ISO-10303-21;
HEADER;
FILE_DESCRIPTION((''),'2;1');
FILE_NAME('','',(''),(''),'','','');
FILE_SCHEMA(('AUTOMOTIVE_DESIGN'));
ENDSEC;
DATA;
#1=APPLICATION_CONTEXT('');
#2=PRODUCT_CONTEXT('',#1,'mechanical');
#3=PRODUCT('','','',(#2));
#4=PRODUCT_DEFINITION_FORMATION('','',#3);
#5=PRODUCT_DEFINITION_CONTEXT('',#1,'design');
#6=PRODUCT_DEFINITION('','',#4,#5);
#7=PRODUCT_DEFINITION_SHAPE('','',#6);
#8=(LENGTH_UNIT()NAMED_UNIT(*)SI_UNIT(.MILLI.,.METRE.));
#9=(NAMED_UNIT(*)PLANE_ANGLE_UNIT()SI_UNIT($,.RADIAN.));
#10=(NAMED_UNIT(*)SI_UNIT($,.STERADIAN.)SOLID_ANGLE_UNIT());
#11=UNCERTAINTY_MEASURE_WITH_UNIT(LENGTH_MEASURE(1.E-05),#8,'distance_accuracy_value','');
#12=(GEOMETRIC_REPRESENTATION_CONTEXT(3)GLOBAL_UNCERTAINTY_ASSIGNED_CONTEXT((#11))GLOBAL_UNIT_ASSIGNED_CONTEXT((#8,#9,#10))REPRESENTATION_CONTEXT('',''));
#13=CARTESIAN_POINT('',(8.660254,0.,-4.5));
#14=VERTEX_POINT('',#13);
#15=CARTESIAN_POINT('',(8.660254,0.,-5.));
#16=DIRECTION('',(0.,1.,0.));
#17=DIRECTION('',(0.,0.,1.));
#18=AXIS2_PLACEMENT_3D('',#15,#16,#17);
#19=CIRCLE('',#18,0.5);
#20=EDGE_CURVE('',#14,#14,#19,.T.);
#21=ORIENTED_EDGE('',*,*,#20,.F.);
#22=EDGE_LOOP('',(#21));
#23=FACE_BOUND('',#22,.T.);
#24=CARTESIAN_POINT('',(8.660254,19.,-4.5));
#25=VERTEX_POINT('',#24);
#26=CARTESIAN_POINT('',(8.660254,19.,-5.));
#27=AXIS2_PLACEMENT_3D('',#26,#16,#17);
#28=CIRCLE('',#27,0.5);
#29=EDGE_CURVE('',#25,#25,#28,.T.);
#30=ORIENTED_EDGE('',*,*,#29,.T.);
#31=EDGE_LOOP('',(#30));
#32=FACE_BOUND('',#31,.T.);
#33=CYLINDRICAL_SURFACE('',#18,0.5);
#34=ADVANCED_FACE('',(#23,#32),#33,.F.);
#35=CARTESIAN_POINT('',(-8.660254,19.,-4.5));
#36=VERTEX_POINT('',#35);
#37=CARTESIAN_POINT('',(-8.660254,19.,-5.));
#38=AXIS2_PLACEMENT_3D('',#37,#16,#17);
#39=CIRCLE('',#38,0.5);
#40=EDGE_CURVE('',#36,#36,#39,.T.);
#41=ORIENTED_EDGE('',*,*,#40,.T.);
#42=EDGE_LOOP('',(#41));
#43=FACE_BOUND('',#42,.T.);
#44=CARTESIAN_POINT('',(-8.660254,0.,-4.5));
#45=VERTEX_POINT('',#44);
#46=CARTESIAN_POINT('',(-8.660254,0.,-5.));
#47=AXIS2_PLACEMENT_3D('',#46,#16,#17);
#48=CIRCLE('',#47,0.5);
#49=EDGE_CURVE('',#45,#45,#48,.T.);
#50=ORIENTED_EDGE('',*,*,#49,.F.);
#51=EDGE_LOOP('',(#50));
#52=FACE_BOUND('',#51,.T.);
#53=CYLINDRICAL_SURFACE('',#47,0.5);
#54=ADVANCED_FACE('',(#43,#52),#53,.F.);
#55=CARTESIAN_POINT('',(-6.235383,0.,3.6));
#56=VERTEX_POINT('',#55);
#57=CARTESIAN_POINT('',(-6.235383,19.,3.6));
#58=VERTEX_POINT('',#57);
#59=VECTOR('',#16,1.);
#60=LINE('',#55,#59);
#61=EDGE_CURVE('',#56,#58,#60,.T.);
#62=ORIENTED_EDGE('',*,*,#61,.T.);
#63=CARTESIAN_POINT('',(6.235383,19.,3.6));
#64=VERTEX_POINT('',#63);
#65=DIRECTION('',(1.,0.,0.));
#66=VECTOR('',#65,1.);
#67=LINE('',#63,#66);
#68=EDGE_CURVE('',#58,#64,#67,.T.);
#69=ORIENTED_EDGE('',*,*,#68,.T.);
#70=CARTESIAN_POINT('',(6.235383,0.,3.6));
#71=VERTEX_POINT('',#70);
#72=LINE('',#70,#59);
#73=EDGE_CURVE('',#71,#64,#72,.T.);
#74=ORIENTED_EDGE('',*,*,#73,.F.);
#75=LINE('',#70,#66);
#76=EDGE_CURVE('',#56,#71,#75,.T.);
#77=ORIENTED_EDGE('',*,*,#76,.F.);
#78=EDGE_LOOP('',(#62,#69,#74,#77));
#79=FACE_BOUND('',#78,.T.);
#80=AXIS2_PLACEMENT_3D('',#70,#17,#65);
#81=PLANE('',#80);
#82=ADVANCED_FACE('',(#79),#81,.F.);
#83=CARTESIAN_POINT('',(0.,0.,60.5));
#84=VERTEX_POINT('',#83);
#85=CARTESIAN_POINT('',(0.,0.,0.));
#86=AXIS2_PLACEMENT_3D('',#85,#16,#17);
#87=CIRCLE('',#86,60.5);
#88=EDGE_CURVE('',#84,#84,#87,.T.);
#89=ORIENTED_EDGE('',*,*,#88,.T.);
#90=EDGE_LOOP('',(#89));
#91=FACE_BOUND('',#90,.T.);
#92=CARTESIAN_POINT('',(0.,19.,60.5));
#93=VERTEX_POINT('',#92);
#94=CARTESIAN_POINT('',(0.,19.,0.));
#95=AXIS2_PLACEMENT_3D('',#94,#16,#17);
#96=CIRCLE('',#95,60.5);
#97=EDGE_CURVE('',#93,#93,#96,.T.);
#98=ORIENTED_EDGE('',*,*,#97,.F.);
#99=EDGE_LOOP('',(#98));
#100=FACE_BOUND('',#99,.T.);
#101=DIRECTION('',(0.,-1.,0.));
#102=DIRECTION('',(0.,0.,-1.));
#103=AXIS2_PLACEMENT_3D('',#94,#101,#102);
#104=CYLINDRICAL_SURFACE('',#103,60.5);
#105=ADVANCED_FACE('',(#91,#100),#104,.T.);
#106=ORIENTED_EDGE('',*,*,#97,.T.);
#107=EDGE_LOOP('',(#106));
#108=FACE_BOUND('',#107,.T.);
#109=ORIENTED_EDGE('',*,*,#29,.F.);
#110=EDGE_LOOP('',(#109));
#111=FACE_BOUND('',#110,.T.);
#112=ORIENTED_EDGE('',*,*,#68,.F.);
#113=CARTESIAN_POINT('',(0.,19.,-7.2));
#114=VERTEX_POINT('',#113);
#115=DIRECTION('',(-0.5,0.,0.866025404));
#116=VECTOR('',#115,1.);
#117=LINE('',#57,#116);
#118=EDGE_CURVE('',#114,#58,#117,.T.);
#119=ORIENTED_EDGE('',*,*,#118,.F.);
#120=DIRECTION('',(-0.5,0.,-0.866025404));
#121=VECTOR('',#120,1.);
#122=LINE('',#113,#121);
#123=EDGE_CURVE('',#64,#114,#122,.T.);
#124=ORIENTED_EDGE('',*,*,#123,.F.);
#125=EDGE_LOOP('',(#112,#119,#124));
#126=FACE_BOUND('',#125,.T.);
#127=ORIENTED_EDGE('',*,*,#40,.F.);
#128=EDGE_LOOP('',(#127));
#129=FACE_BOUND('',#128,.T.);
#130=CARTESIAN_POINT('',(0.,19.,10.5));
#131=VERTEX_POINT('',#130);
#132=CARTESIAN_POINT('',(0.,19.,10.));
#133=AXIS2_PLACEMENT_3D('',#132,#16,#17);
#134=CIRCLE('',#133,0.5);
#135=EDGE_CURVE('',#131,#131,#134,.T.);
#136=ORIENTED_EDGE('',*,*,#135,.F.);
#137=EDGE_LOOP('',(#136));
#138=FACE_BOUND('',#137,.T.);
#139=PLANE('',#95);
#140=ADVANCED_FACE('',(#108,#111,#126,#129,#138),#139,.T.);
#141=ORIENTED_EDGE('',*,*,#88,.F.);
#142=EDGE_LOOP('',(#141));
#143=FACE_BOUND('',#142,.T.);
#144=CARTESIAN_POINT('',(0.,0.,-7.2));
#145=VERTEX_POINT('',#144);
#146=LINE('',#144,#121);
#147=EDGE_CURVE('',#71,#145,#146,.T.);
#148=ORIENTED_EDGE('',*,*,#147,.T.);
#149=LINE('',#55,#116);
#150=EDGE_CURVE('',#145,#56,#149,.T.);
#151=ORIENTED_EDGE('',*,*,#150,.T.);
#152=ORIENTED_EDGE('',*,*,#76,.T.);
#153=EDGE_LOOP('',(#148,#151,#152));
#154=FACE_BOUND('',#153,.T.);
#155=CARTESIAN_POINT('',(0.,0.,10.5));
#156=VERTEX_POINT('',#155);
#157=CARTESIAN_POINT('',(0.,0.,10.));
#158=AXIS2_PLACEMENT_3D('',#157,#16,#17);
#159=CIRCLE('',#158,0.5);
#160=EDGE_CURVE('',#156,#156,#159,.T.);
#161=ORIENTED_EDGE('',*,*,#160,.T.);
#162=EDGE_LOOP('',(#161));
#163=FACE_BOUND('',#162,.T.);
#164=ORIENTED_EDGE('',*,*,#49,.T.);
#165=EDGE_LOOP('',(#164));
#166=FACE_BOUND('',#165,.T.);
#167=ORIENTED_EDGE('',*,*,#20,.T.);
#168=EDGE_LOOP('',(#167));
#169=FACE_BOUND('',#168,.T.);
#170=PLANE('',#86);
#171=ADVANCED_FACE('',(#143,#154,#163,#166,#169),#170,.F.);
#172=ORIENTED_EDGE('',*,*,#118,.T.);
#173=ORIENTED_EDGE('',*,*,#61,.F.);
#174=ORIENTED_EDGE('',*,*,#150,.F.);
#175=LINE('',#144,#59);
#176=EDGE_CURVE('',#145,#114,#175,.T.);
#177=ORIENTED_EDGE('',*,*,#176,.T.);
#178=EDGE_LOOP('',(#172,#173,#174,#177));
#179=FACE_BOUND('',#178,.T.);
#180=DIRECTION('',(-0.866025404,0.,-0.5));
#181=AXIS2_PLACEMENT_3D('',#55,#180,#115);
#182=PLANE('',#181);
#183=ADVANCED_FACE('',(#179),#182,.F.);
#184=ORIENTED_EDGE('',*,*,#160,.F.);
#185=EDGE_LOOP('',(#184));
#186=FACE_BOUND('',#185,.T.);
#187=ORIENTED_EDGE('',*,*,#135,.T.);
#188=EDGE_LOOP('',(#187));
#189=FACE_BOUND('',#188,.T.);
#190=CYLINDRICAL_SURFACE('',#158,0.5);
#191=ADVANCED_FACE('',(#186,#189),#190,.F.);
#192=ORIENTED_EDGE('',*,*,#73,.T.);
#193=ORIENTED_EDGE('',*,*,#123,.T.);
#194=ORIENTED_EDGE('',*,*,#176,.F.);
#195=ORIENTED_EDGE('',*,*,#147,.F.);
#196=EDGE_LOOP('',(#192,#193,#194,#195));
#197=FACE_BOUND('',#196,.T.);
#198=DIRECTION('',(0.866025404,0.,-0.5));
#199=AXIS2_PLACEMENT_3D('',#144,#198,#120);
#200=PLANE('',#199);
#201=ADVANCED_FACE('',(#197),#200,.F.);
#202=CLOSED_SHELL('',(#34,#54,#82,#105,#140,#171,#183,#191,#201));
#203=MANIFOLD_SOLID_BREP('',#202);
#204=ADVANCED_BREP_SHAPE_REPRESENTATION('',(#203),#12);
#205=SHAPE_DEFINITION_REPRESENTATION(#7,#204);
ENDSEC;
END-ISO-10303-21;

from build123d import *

# Parameters (mm, degrees)
SKETCH1_R           = 60.5
BOSS_EXTRUDE1_DEPTH = 19
SKETCH2_R           = 0.5
CUT_EXTRUDE2_DEPTH  = 20


with BuildPart() as part:
    # Sketch1 → Boss-Extrude1 (new body)
    with BuildSketch(Plane(origin=(0, 0, 0), x_dir=(1, 0, 0), z_dir=(0, 1, 0))):
        Circle(SKETCH1_R)
    extrude(amount=BOSS_EXTRUDE1_DEPTH)

    # Sketch2 → Cut-Extrude2 (cut, through all)
    with BuildSketch(Plane(origin=(0, 19, 0), x_dir=(1, 0, 0), z_dir=(0, 1, 0))):
        with Locations((-8.660254038, 5)):
            Circle(SKETCH2_R)
        with Locations((8.660254038, 5)):
            Circle(SKETCH2_R)
        with Locations((0, -10)):
            Circle(SKETCH2_R)
        Polygon((0, 7.2), (6.235382907, -3.6), (-6.235382907, -3.6), align=None)
    extrude(amount=-CUT_EXTRUDE2_DEPTH, mode=Mode.SUBTRACT)


solid = part.part
